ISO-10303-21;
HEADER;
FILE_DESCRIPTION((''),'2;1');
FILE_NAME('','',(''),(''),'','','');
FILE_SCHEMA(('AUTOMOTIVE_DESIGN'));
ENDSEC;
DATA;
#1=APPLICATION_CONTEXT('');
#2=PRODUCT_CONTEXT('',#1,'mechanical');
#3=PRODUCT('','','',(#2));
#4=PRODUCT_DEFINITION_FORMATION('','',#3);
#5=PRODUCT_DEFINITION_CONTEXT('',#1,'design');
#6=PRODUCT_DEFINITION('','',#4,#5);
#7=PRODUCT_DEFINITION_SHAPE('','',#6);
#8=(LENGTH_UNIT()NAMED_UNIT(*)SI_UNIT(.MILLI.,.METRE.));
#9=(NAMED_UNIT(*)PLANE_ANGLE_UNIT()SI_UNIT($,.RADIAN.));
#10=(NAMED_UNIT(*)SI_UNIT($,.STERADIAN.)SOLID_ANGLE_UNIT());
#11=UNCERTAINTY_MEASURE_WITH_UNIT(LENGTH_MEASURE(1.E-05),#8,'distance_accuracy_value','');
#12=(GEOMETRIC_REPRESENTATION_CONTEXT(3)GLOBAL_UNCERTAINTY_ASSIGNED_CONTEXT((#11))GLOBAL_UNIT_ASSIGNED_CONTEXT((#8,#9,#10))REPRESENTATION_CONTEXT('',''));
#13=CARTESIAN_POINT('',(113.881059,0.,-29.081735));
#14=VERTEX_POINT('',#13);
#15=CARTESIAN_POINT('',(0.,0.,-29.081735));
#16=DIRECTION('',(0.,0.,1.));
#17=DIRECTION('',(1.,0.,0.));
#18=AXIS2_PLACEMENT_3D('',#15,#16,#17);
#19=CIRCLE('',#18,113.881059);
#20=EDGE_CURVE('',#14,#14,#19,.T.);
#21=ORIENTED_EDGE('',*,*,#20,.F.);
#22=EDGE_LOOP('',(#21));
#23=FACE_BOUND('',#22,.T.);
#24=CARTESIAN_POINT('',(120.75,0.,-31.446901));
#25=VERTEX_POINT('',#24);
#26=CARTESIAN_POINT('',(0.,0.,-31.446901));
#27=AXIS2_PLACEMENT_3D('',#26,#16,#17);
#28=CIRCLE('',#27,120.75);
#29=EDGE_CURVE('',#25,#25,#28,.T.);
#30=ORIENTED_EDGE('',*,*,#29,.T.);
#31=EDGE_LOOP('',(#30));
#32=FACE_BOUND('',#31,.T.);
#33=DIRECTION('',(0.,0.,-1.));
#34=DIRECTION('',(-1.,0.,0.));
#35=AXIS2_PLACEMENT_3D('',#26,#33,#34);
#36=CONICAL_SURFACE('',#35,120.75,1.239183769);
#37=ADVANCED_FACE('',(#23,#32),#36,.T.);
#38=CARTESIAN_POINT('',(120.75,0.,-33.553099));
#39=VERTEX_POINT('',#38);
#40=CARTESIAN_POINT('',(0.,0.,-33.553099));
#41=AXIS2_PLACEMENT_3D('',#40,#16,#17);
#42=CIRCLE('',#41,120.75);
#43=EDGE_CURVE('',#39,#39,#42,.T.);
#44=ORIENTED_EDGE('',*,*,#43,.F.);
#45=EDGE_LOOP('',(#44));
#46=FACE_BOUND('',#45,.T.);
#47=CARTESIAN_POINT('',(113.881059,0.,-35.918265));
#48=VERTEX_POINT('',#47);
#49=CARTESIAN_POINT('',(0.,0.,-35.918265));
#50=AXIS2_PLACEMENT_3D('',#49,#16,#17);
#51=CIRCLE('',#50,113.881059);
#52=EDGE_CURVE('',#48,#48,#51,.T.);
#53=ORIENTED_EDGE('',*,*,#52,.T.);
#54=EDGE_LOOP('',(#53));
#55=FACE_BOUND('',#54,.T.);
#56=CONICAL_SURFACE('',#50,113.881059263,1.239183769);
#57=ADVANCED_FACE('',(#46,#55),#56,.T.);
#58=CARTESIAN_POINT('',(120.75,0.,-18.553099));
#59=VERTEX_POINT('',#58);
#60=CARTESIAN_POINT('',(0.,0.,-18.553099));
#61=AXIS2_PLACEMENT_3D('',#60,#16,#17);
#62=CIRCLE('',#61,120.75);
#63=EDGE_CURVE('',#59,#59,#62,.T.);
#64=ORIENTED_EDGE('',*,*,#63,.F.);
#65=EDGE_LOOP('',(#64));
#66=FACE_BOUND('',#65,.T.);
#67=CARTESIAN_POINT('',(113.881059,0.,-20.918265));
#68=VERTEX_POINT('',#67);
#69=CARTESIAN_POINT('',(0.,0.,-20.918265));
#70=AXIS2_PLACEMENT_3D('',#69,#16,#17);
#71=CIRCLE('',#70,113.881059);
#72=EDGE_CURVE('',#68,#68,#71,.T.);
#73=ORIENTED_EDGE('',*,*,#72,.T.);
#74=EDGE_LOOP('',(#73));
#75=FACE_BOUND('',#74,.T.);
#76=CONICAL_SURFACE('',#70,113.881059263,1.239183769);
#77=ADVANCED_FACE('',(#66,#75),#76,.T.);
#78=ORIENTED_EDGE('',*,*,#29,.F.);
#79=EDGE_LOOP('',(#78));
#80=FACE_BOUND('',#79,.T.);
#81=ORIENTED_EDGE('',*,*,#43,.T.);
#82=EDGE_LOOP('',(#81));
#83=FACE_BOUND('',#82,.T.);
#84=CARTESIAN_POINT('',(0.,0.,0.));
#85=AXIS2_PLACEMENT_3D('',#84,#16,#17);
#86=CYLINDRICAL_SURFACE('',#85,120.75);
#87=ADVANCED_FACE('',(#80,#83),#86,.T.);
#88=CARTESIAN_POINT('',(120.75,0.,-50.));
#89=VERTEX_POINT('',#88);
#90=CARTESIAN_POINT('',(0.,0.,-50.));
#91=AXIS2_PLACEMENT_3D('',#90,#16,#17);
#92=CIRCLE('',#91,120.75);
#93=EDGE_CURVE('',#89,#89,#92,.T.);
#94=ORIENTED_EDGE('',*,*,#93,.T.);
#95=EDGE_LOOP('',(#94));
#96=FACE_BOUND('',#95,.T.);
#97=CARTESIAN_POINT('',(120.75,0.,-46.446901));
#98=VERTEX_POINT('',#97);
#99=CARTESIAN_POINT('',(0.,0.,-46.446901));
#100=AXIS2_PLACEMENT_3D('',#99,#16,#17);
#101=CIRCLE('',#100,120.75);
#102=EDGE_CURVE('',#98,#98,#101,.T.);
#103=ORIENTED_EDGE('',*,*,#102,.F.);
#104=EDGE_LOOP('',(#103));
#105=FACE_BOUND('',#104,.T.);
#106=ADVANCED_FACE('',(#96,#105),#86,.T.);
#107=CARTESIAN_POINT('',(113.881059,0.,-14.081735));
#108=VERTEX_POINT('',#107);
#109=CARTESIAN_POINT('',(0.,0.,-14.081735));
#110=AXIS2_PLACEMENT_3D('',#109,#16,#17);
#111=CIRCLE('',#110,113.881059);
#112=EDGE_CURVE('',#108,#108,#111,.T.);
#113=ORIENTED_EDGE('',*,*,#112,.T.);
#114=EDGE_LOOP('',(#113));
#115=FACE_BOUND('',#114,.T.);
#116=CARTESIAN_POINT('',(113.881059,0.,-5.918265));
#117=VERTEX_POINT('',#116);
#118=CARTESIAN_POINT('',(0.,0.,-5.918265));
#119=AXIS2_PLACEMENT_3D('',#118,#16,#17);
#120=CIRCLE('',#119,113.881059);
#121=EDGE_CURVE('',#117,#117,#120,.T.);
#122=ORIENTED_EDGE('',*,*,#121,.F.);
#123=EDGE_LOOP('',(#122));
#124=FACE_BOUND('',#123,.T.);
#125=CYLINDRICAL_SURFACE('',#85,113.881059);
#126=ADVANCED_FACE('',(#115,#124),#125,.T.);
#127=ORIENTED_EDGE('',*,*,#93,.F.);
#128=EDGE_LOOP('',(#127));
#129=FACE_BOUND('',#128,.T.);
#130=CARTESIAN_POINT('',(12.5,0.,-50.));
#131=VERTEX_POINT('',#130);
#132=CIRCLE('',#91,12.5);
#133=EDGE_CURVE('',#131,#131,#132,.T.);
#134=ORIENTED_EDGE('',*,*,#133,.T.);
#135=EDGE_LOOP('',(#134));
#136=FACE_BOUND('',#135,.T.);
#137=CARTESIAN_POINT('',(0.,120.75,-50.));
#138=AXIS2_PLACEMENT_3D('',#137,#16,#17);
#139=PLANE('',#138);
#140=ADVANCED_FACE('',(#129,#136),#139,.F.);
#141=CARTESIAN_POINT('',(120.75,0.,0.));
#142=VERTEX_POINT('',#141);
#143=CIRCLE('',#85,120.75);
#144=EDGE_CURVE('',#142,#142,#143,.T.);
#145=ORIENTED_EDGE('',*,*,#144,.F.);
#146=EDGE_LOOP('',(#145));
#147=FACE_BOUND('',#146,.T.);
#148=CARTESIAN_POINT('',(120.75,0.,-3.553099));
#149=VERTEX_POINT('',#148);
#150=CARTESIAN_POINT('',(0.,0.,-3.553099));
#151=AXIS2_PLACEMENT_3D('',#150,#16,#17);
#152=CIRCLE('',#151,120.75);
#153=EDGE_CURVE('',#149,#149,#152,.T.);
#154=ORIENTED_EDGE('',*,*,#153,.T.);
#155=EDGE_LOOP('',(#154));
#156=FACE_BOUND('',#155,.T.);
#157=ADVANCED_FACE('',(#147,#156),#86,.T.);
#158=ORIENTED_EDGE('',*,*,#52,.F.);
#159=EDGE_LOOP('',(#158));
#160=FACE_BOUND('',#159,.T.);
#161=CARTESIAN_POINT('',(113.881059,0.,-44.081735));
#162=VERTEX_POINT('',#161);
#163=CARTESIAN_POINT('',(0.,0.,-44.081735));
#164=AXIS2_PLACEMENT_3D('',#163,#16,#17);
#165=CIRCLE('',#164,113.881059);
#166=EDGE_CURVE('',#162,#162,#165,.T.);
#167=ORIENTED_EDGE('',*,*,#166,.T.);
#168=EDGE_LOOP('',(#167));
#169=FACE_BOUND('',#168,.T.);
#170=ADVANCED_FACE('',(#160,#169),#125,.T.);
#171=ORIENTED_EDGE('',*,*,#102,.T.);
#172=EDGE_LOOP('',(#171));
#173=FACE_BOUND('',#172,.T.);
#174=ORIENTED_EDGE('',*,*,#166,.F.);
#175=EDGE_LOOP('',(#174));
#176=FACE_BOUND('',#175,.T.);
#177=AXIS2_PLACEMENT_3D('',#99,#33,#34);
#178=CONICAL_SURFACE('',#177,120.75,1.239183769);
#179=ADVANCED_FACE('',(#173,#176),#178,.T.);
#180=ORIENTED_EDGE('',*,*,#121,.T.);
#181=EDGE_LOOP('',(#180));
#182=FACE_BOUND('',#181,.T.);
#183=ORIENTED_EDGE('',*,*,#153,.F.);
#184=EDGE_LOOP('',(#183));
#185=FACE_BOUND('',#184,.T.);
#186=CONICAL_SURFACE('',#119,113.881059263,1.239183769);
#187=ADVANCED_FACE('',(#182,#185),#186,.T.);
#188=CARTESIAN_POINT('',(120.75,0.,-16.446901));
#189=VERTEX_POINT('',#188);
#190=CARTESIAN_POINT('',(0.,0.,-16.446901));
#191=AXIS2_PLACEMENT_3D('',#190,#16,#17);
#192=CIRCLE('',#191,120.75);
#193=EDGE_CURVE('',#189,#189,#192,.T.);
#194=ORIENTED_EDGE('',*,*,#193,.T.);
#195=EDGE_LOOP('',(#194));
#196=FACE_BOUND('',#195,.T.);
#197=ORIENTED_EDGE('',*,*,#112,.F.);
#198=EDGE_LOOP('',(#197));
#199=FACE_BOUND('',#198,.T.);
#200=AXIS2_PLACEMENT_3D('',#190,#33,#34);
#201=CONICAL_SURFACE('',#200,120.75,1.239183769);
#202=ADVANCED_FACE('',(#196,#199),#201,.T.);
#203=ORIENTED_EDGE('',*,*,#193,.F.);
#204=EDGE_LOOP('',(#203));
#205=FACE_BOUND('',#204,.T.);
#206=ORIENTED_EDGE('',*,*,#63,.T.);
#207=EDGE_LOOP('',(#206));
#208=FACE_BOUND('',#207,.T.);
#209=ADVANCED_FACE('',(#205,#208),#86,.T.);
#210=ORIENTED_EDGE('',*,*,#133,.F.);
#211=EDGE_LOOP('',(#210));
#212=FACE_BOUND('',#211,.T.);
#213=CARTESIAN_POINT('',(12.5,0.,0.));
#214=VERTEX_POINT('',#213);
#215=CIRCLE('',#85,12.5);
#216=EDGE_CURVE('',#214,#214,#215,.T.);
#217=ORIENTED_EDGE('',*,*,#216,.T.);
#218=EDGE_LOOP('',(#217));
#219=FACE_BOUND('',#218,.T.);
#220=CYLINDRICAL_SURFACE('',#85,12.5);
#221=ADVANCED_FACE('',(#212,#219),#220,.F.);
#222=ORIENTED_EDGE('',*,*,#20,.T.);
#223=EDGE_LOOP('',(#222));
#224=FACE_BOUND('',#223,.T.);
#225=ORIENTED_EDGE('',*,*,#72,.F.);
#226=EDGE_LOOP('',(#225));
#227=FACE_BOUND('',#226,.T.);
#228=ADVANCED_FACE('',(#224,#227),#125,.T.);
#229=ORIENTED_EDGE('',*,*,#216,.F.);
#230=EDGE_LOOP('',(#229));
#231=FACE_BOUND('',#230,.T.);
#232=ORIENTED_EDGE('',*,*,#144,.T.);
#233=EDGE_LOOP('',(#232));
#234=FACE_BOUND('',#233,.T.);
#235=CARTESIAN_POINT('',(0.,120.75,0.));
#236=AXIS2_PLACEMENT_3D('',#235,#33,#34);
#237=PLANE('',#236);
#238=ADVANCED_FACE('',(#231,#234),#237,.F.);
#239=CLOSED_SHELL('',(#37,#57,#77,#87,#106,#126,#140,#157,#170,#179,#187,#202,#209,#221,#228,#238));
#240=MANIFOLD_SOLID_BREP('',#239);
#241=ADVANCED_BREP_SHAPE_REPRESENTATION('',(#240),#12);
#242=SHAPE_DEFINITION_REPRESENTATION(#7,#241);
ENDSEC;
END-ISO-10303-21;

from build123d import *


with BuildPart() as part:
    # 草图2 → 旋转1 (revolve)
    with BuildSketch(Plane(origin=(0, 0, 0), x_dir=(0, 0, -1), z_dir=(1, 0, 0)), mode=Mode.PRIVATE) as revolve_1_sk:
        Polygon((0, 12.5), (50, 12.5), (50, 120.75), (46.446900937, 120.75), (44.081734967, 113.881059263), (35.918265033, 113.881059263), (33.553099063, 120.75), (31.446900937, 120.75), (29.081734967, 113.881059263), (20.918265033, 113.881059263), (18.553099063, 120.75), (16.446900937, 120.75), (14.081734967, 113.881059263), (5.918265033, 113.881059263), (3.553099063, 120.75), (0, 120.75), align=None)
    revolve(revolve_1_sk.sketch.rotate(Axis((0, 0, 0), (0, 0, -1)), 90), axis=Axis((0, 0, 0), (0, 0, -1)))


solid = part.part
